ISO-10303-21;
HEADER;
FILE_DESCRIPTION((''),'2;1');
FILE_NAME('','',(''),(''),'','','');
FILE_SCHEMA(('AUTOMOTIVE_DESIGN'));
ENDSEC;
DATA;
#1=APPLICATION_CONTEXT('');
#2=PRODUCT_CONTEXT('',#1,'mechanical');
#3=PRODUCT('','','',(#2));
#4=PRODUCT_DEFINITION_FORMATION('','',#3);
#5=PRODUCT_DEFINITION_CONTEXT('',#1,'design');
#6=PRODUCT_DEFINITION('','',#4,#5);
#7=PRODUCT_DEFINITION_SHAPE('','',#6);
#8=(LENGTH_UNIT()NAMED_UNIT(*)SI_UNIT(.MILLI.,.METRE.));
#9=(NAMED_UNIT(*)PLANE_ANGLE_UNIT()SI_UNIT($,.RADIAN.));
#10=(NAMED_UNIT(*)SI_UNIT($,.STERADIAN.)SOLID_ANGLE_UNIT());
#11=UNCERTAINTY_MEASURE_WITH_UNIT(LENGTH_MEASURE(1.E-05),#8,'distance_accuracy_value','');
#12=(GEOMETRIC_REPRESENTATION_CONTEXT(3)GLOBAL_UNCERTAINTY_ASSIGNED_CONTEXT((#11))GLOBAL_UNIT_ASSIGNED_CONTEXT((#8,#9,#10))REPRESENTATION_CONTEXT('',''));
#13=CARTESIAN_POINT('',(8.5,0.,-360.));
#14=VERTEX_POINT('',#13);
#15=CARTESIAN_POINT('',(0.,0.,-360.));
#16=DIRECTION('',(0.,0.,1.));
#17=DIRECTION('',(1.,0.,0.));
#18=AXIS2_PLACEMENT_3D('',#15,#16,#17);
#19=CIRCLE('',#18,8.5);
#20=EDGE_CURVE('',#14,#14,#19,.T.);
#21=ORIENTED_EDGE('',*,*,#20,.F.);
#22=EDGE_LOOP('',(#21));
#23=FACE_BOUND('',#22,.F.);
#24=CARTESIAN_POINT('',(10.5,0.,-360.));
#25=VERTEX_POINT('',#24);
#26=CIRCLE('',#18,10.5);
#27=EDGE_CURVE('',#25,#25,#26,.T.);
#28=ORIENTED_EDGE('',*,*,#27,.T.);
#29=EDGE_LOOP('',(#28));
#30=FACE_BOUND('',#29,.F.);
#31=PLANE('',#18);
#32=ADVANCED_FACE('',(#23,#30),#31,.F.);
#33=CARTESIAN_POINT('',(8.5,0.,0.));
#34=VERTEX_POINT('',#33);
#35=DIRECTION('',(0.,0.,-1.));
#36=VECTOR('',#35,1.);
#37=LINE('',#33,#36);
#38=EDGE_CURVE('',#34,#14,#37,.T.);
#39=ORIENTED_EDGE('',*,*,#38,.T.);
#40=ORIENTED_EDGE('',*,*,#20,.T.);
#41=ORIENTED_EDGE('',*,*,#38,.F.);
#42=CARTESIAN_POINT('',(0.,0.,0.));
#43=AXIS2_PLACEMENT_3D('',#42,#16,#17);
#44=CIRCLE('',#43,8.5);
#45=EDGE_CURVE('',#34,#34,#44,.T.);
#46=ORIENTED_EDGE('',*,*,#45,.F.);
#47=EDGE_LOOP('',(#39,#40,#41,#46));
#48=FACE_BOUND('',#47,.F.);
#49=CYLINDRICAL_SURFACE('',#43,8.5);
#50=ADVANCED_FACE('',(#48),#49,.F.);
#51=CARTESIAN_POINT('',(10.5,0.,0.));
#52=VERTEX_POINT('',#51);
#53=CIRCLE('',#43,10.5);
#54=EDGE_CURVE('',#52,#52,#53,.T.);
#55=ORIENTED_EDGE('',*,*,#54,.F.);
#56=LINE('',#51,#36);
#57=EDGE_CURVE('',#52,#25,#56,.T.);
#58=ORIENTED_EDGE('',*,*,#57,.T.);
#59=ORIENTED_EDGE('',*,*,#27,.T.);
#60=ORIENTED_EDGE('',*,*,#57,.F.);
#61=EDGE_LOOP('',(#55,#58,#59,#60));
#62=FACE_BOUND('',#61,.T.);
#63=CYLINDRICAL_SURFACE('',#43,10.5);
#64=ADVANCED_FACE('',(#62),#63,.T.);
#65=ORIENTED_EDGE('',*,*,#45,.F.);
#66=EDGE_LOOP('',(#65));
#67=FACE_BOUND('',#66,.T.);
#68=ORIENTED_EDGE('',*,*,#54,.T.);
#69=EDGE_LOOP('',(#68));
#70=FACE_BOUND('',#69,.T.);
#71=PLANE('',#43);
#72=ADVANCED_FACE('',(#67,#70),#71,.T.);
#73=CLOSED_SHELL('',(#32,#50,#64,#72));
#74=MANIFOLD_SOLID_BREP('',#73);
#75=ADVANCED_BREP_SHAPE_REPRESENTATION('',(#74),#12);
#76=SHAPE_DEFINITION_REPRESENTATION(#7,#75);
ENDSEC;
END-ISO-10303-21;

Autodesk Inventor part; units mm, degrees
ref_plane "YZ Plane" through (0, 0, 0) normal (1, 0, 0) x (0, 1, 0)
ref_plane "XZ Plane" through (0, 0, 0) normal (0, 1, 0) x (-1, 0, 0)
ref_plane "XY Plane" through (0, 0, 0) normal (0, 0, 1) x (1, 0, 0)
sketch "Sketch11" plane through (0, 0, 0) normal (0, 0, 1) x (1, 0, 0)
  circle A0 centre (0, 0) radius 10.5
  circle A1 centre (0, 0) radius 8.5
  dimension "d187" = 21
  dimension "d188" = 2
extrude "Extrusion5" add sketch "Sketch11" against normal blind 360
properties part number "TKS 3541 FDS thread  tube1" material "Stainless Steel"
